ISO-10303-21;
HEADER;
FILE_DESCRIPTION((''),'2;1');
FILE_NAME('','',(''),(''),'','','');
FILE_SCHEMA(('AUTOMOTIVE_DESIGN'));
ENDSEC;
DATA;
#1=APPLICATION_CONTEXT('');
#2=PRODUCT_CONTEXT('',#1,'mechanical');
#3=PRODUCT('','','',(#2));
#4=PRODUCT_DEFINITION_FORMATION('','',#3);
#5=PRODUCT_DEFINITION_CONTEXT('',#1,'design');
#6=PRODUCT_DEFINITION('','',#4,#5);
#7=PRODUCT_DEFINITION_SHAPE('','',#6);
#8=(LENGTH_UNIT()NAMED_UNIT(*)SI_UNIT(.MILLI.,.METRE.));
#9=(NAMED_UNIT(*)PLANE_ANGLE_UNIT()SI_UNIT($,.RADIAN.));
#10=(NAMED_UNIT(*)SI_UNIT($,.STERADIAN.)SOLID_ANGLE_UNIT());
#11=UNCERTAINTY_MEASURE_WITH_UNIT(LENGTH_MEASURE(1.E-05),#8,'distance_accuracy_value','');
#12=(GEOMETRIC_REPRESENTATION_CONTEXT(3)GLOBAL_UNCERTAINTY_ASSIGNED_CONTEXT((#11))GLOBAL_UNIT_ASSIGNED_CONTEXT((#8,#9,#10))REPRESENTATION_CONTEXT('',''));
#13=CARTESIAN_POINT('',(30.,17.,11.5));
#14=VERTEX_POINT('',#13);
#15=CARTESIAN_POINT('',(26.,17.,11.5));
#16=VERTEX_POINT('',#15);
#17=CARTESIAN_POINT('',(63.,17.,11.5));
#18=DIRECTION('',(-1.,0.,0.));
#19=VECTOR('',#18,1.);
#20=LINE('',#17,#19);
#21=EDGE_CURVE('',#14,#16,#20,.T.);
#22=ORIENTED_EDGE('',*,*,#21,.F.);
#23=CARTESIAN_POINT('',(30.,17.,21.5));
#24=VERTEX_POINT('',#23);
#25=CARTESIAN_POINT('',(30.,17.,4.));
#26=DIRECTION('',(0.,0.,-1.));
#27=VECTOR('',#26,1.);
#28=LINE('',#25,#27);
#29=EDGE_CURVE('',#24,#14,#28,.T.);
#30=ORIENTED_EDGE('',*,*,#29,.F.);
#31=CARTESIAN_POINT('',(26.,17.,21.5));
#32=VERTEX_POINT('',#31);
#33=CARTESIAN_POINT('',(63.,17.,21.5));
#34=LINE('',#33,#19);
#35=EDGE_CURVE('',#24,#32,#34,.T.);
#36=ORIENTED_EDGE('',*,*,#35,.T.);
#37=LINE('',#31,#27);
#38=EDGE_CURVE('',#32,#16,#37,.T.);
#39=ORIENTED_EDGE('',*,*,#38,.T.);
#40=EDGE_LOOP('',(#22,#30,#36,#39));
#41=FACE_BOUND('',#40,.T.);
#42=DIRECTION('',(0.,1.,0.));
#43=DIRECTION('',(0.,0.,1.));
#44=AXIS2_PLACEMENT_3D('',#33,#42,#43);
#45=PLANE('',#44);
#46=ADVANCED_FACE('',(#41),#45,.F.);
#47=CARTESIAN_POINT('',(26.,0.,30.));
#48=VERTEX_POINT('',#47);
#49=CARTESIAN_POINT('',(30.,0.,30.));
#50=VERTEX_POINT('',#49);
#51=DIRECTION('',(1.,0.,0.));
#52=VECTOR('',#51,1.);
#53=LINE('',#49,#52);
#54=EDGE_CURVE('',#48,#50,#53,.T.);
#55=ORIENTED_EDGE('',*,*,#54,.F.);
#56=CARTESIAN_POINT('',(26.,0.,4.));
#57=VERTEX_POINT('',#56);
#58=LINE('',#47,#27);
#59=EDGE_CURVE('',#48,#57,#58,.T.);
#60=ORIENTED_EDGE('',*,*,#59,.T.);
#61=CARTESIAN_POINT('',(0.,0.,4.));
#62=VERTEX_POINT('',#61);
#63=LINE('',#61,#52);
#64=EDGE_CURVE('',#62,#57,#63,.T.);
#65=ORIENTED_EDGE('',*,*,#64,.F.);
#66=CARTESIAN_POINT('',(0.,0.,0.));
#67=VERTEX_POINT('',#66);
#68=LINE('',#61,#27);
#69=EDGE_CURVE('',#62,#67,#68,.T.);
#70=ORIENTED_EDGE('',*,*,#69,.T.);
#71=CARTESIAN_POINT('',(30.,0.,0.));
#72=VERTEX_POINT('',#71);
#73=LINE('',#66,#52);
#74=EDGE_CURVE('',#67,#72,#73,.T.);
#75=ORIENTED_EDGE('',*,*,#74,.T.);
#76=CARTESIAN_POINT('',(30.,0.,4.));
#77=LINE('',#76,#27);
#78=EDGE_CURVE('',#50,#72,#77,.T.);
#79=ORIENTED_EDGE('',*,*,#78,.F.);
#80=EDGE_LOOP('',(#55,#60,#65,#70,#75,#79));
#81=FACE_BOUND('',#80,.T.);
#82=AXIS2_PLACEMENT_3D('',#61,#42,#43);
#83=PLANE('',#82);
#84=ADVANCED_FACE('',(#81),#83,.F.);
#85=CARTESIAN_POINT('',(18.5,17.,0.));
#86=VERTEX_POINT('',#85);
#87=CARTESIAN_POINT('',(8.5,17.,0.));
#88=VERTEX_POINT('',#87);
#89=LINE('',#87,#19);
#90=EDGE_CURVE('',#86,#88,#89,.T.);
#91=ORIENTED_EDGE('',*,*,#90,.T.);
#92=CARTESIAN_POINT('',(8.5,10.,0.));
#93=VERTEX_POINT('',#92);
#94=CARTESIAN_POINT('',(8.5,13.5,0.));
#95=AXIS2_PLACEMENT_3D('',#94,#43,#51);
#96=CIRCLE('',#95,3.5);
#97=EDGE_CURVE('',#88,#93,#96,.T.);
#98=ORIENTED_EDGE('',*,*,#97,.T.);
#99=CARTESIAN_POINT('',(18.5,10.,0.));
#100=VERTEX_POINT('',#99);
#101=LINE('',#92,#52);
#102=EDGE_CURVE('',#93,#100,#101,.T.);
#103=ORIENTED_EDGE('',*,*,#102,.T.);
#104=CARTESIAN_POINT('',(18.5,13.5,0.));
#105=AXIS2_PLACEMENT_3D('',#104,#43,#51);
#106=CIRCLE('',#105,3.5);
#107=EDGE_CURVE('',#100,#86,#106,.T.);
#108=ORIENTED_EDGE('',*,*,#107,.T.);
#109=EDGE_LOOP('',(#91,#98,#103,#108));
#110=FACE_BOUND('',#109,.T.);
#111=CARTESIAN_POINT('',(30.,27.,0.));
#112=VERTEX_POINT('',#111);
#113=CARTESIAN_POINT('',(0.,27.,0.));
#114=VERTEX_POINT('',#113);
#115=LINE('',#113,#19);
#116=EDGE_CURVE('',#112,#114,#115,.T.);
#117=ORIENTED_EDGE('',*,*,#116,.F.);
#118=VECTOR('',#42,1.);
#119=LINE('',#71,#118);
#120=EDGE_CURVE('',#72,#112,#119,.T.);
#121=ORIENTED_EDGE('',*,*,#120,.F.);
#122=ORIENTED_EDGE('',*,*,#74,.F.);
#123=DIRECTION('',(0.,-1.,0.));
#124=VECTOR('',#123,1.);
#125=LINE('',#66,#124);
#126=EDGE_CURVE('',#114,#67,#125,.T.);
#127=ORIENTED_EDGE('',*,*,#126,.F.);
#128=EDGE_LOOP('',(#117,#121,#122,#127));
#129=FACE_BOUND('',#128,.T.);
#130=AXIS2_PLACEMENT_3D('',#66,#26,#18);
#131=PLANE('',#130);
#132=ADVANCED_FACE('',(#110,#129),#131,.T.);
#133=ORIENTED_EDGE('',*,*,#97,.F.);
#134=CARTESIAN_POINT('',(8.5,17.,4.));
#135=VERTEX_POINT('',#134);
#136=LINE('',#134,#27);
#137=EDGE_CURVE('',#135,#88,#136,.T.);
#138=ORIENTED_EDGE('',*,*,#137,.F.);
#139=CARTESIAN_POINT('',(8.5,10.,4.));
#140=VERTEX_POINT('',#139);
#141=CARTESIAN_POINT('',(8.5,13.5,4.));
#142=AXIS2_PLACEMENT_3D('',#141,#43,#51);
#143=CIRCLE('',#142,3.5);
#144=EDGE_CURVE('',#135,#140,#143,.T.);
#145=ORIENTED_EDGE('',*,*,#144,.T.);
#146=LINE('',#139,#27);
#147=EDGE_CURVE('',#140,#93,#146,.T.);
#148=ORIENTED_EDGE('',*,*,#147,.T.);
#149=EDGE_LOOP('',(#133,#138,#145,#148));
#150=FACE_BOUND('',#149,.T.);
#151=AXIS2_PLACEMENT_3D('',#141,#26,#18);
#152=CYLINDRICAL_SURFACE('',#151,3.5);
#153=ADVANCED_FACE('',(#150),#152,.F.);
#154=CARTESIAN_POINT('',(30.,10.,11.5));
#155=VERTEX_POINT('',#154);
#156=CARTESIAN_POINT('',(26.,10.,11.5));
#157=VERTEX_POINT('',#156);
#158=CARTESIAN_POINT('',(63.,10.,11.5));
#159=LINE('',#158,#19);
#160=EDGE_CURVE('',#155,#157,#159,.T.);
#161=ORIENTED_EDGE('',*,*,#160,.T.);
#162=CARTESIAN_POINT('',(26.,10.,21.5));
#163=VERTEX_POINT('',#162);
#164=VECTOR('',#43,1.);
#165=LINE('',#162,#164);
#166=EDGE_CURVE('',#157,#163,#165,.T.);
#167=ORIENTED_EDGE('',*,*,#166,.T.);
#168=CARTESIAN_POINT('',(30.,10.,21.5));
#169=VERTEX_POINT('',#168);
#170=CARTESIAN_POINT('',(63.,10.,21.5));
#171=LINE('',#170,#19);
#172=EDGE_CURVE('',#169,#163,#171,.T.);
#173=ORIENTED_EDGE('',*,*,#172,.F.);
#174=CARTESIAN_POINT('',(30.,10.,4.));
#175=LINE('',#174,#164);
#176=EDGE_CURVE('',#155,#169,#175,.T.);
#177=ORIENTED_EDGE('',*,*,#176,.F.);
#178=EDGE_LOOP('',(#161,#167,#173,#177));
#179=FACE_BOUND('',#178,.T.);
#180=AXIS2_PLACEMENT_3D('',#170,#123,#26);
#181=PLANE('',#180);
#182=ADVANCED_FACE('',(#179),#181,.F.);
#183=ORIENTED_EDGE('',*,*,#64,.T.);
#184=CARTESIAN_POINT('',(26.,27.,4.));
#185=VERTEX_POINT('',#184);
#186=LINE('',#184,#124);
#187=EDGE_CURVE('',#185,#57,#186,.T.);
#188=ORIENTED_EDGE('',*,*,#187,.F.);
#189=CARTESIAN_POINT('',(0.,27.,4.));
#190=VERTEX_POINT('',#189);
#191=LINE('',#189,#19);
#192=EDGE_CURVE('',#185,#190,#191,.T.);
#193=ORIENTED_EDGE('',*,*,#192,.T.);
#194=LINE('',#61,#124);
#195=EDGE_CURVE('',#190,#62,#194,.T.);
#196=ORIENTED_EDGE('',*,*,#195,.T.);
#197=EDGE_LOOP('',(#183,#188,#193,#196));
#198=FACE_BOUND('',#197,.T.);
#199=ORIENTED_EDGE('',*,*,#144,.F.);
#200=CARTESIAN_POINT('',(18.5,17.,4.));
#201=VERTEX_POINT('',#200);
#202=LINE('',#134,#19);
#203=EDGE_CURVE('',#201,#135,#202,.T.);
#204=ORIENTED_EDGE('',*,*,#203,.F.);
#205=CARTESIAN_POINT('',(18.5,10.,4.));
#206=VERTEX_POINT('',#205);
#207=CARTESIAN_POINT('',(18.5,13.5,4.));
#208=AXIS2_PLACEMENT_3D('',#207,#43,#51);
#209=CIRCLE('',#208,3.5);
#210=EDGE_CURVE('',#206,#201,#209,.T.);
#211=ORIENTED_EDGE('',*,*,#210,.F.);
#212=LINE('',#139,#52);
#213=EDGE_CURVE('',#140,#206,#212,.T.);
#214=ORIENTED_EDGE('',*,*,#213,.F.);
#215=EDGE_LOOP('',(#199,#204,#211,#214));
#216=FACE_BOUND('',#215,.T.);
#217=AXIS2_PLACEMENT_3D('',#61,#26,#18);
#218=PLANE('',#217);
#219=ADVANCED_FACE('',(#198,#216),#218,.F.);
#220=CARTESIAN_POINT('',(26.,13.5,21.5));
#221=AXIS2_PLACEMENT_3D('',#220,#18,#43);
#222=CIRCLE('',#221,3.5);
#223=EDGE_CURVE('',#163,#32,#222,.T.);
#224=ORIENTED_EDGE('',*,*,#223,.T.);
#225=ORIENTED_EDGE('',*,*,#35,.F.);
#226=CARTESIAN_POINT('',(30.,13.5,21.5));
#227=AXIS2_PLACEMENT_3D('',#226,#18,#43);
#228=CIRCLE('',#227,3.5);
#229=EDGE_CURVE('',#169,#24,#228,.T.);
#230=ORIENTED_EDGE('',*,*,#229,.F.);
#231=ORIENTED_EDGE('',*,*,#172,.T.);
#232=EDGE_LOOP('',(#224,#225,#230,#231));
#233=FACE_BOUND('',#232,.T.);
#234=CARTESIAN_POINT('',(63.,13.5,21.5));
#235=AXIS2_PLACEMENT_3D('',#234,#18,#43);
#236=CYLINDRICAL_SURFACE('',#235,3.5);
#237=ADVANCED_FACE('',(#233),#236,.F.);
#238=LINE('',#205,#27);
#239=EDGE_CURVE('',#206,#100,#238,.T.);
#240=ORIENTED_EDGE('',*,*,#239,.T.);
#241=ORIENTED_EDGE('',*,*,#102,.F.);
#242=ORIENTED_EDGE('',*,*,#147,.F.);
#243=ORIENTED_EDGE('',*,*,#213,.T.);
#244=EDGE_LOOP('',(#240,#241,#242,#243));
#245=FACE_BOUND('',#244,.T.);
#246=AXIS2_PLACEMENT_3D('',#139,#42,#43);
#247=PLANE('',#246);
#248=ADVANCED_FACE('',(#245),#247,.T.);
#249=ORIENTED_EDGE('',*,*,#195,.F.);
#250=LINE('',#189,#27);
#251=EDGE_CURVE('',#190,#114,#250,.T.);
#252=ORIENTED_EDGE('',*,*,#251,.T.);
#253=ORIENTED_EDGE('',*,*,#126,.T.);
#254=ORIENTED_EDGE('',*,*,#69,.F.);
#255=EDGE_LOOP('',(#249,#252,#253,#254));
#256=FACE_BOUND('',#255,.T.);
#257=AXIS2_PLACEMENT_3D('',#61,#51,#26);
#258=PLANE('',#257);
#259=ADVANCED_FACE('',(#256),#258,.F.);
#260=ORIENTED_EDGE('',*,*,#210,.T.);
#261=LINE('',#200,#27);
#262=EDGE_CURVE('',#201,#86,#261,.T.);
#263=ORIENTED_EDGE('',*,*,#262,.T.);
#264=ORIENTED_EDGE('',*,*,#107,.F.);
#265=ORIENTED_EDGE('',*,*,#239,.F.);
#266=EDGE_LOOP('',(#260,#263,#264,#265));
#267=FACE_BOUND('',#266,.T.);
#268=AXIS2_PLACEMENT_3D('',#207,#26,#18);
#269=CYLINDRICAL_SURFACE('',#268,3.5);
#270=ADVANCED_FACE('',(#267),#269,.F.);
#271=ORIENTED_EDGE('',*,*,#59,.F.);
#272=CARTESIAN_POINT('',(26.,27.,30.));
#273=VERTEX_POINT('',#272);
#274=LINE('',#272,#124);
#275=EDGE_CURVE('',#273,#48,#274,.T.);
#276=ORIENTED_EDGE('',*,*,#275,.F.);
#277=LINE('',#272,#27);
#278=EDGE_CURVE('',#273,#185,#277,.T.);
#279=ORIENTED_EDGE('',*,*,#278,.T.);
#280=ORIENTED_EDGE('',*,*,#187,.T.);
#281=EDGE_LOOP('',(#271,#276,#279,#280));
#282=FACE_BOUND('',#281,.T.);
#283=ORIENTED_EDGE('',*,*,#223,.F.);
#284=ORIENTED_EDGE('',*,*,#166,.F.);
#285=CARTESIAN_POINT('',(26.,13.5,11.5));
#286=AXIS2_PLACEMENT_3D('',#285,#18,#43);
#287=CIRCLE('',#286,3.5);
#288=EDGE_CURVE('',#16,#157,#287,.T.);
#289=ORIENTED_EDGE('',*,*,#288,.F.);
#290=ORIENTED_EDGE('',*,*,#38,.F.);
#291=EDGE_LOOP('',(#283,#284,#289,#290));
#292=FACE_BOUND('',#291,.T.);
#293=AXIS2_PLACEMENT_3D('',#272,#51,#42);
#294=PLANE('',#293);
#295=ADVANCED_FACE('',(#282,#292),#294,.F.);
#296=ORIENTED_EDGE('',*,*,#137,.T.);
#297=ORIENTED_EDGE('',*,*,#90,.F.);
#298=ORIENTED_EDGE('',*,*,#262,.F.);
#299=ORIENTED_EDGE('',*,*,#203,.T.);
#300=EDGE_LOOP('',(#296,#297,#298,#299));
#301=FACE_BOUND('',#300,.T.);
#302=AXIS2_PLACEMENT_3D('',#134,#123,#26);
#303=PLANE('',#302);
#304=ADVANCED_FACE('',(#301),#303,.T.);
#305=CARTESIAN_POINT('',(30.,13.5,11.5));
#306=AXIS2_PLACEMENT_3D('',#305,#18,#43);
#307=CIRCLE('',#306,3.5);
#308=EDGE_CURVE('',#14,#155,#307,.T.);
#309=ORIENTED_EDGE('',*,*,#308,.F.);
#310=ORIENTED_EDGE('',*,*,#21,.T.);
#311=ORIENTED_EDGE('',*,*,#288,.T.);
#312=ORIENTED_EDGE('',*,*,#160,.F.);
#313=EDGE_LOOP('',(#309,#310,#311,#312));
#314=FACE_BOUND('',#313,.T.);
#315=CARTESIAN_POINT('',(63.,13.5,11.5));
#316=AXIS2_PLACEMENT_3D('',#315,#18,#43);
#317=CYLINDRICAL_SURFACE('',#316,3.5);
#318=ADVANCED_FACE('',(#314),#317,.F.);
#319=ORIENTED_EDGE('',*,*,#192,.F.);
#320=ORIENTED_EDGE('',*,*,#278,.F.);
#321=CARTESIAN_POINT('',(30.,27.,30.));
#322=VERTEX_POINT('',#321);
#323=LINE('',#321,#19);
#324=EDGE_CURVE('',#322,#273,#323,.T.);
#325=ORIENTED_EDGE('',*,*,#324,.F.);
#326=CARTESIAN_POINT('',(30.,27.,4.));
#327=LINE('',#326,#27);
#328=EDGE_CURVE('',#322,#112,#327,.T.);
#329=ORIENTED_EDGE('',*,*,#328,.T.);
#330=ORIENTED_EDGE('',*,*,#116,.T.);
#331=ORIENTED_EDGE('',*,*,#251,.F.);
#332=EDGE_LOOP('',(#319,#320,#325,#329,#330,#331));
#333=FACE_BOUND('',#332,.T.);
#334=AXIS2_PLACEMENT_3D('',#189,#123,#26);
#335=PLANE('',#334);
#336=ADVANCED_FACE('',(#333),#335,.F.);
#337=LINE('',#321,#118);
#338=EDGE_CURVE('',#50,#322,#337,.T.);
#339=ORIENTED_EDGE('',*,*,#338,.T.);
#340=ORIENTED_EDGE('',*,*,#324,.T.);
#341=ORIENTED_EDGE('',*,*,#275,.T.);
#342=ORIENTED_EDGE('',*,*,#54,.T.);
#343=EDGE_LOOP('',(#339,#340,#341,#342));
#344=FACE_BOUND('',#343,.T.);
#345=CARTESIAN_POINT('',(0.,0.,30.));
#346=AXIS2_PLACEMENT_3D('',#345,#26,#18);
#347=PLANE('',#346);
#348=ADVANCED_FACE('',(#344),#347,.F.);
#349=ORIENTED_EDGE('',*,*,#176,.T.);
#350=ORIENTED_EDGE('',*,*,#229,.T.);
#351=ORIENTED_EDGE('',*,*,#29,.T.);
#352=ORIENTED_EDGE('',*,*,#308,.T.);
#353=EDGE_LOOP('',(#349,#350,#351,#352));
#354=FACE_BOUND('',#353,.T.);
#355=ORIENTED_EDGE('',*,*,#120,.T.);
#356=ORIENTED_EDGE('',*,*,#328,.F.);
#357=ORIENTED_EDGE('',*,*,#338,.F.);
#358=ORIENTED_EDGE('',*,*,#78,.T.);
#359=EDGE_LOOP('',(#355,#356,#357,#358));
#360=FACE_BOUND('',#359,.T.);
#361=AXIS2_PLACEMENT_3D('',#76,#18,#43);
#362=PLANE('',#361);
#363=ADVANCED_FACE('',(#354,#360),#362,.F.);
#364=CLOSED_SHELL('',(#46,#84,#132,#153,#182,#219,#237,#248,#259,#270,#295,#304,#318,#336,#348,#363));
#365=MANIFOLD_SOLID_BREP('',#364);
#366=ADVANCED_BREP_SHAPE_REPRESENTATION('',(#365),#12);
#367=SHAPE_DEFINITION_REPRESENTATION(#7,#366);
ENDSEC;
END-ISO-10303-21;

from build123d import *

# Parameters (mm, degrees)
SKETCH_1_W          = 30
SKETCH_1_H          = 27
EXTRUDE_1_DEPTH     = 4
SKETCH_2_W          = 4
SKETCH_2_H          = 27
EXTRUDE_2_DEPTH     = 26
CUT_EXTRUDE_1_DEPTH = 37


with BuildPart() as part:
    # 草图1 → 凸台-拉伸1 (new body)
    with BuildSketch(Plane.XY):
        with Locations((15, 13.5)):
            Rectangle(SKETCH_1_W, SKETCH_1_H)
        with BuildLine():
            Line((8.5, 17), (18.5, 17))
            ThreePointArc((18.5, 17), (22, 13.5), (18.5, 10))
            Line((18.5, 10), (8.5, 10))
            ThreePointArc((8.5, 10), (5, 13.5), (8.5, 17))
        make_face(mode=Mode.SUBTRACT)
    extrude(amount=EXTRUDE_1_DEPTH)

    # 草图2 → 凸台-拉伸2 (add)
    with BuildSketch(Plane.XY.offset(4)):
        with Locations((28, 13.5)):
            Rectangle(SKETCH_2_W, SKETCH_2_H)
    extrude(amount=EXTRUDE_2_DEPTH)

    # 草图3 → 切除-拉伸1 (cut)
    with BuildSketch(Plane.ZY.offset(-26)):
        with BuildLine():
            Line((21.5, 10), (11.5, 10))
            ThreePointArc((11.5, 10), (8, 13.5), (11.5, 17))
            Line((11.5, 17), (21.5, 17))
            ThreePointArc((21.5, 17), (25, 13.5), (21.5, 10))
        make_face()
    extrude(amount=-CUT_EXTRUDE_1_DEPTH, mode=Mode.SUBTRACT)


solid = part.part
